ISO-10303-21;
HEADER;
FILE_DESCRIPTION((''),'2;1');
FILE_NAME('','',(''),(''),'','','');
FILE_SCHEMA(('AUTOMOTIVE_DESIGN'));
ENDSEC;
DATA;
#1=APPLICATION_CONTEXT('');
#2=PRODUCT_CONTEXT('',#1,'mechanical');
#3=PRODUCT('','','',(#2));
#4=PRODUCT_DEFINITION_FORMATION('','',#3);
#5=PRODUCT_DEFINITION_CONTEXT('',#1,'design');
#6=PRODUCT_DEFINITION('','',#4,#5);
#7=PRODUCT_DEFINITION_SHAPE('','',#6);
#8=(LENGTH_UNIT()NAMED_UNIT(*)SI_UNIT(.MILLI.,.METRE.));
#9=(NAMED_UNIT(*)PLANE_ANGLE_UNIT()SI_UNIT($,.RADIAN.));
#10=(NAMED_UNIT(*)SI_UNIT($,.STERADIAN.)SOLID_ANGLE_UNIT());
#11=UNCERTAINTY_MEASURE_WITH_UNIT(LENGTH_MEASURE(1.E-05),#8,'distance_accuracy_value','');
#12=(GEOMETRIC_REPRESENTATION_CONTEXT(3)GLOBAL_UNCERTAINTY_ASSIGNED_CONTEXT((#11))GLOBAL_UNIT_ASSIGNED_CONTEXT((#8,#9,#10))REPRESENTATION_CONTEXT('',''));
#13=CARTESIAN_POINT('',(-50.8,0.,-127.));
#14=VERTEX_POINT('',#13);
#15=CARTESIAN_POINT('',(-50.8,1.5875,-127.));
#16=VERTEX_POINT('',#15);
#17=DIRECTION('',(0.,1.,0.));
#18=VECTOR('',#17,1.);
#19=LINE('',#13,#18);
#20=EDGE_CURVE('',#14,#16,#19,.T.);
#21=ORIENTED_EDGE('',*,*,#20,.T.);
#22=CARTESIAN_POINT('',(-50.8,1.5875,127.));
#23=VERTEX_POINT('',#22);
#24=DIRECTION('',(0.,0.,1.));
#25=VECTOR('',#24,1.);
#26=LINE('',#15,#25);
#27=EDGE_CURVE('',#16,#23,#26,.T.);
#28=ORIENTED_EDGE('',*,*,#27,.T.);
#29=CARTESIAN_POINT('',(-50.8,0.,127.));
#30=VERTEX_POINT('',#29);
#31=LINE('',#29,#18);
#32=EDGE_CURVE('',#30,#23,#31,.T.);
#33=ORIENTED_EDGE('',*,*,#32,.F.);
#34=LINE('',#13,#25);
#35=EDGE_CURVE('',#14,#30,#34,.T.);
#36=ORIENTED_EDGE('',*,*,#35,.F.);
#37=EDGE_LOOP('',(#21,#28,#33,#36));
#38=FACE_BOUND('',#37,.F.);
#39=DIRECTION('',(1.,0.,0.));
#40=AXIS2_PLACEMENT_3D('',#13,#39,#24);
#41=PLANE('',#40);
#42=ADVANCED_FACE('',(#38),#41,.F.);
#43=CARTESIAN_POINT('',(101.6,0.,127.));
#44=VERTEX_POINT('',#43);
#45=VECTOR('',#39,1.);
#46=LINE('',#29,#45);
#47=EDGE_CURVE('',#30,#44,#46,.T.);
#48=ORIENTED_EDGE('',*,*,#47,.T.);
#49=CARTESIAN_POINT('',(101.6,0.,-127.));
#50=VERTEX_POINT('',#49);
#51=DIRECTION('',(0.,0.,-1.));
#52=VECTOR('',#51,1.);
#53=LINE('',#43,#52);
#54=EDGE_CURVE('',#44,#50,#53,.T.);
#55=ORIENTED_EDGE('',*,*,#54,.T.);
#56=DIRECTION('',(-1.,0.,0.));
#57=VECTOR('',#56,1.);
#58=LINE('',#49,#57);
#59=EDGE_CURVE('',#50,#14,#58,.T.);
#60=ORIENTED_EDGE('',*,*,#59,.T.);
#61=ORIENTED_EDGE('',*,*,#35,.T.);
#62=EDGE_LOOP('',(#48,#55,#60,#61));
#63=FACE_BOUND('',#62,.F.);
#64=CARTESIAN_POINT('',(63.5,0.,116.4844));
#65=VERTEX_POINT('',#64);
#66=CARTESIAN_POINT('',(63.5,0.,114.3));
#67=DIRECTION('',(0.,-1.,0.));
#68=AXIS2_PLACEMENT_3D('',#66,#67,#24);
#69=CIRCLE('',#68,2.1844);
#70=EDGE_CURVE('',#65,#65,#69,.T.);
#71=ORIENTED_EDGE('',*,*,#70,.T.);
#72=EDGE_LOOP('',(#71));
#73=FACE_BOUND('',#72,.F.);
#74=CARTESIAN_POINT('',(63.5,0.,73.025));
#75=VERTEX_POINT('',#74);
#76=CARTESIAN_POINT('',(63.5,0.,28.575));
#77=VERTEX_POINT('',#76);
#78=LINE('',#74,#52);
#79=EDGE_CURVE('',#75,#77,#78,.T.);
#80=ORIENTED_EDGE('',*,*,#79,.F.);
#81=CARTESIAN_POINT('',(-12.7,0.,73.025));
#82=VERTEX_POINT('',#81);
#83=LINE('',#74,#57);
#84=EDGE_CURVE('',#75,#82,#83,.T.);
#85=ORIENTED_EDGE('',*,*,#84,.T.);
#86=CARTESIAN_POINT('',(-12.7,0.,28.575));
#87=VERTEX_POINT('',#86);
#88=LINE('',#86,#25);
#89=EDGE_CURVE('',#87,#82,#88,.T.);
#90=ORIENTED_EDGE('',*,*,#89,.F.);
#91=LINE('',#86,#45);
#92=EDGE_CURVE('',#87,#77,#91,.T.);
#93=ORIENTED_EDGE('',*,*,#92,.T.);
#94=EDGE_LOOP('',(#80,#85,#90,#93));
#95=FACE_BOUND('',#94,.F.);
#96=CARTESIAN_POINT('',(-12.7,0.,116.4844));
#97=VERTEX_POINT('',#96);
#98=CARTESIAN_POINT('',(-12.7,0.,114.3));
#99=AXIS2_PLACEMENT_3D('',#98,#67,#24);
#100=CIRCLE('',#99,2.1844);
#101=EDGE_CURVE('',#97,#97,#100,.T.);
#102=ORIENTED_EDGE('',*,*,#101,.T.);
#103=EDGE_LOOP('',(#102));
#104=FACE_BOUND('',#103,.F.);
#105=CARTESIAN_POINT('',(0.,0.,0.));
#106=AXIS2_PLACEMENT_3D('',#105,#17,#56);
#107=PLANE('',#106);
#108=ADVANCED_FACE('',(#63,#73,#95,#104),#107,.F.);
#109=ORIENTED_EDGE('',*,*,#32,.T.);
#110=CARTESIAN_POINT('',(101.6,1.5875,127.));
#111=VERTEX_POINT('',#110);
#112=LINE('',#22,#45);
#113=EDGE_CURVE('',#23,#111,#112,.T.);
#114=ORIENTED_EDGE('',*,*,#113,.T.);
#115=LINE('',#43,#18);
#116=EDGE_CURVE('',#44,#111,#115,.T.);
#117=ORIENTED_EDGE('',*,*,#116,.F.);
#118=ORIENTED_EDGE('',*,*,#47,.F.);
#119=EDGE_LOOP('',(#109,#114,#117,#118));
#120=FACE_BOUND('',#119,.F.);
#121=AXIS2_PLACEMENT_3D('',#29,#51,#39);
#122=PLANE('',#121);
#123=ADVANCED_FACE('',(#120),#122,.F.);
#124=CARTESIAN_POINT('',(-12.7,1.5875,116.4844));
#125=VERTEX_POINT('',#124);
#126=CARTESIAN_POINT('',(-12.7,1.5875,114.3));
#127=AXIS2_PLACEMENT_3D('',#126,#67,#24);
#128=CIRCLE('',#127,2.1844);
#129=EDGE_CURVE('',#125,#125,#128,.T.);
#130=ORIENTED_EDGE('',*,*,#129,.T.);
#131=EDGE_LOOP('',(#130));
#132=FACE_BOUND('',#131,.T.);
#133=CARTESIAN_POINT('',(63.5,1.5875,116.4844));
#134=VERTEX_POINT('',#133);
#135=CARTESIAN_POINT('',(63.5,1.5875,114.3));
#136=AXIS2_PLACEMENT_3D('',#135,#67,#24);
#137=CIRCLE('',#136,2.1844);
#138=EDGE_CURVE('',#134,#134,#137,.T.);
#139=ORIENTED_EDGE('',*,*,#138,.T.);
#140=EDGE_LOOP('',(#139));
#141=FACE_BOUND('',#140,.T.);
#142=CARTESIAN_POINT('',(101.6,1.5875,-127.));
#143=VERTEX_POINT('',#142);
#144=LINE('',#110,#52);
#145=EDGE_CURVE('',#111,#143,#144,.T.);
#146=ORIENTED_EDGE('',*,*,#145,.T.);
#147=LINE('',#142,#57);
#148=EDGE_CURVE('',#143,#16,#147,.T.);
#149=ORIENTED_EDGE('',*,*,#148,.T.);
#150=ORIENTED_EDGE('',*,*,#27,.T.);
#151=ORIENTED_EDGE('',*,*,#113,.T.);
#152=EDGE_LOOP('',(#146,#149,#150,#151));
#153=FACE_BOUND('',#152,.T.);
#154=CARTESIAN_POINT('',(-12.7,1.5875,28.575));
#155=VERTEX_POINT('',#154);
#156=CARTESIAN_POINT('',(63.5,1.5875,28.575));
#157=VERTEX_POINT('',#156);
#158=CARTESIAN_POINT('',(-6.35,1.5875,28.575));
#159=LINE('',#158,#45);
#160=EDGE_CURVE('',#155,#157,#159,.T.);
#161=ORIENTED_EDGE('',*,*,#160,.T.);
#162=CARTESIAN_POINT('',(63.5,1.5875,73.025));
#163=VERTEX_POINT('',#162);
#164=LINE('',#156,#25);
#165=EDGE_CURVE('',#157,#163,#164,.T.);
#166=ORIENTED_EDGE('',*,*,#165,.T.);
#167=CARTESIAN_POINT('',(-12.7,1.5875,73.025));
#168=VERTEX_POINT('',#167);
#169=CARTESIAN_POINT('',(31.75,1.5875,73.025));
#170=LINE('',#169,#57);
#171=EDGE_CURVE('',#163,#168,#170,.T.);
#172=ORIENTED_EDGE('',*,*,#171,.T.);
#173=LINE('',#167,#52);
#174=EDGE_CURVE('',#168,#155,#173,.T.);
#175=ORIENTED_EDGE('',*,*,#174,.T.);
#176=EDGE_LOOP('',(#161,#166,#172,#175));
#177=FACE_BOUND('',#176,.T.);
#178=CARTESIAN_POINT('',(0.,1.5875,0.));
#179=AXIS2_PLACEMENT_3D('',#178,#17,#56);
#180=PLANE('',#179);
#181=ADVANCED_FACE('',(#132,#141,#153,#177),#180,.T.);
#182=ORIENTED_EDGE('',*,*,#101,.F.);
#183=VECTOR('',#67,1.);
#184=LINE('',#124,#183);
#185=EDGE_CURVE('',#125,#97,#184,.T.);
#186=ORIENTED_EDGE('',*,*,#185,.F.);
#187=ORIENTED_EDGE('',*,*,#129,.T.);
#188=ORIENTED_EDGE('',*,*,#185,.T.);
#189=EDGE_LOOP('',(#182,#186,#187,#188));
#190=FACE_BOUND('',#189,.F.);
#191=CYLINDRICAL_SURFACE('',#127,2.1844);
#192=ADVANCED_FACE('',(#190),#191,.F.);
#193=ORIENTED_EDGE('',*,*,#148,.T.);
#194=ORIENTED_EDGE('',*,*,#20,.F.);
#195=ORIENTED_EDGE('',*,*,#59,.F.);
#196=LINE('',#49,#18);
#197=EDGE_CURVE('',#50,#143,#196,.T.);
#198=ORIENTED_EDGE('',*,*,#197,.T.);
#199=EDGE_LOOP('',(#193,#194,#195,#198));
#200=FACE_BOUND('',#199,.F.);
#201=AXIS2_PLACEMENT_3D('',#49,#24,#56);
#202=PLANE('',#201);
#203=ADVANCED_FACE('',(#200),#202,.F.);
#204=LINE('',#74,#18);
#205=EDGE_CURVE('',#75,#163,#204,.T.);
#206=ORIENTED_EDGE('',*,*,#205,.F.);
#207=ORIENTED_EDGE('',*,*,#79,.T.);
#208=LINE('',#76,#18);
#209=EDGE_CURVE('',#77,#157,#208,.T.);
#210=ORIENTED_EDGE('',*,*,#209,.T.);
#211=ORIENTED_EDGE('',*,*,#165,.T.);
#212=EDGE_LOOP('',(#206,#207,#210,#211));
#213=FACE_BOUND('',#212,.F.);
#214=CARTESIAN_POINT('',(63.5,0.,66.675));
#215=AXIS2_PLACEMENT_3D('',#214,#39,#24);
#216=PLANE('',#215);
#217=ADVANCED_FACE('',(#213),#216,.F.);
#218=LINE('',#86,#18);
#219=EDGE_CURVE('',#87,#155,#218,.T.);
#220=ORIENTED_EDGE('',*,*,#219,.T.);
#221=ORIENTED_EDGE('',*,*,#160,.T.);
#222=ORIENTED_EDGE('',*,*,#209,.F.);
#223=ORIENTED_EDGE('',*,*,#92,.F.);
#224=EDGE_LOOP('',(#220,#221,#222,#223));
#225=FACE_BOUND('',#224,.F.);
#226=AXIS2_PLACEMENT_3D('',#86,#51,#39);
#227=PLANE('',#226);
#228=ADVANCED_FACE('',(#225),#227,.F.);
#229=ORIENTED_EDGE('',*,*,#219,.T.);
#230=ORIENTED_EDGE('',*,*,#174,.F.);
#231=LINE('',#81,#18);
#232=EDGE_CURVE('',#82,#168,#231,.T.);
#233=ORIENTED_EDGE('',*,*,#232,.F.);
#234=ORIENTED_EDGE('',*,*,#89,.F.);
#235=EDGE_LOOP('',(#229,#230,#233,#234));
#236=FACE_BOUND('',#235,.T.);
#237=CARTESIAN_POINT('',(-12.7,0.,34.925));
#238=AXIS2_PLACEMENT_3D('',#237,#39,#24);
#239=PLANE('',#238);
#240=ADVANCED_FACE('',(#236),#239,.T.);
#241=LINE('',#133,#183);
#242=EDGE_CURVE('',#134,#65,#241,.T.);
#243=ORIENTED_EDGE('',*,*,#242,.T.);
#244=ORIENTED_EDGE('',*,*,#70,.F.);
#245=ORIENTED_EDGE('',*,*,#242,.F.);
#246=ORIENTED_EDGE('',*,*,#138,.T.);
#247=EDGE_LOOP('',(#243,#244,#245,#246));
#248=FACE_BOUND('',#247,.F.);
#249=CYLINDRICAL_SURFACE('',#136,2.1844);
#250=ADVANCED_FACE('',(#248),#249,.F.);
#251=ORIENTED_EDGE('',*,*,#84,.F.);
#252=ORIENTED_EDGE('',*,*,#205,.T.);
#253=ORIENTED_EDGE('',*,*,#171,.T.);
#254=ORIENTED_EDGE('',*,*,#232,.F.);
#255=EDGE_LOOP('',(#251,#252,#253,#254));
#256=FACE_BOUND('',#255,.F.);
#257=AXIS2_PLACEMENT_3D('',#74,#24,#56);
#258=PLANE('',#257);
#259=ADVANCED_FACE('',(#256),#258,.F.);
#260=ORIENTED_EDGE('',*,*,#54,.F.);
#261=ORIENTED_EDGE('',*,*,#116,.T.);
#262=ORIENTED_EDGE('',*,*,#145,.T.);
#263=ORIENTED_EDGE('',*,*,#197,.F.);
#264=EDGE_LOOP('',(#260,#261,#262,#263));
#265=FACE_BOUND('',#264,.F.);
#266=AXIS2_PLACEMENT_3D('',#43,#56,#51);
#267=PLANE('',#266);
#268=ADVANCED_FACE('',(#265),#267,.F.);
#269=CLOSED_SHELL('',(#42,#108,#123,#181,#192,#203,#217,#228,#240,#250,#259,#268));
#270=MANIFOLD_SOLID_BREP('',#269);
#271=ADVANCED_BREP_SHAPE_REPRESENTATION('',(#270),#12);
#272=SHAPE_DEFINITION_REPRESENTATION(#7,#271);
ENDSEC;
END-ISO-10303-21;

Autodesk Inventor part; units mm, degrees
ref_plane "YZ Plane" through (0, 0, 0) normal (1, 0, 0) x (0, 1, 0)
ref_plane "XZ Plane" through (0, 0, 0) normal (0, 1, 0) x (-1, 0, 0)
ref_plane "XY Plane" through (0, 0, 0) normal (0, 0, 1) x (1, 0, 0)
sketch "Sketch1" plane through (0, 0, 0) normal (0, 1, 0) x (-1, 0, 0)
  line L0 (-101.6, -127) -> (50.8, -127)
  line L1 (50.8, -127) -> (50.8, 127)
  line L2 (50.8, 127) -> (-101.6, 127)
  line L3 (-101.6, 127) -> (-101.6, -127)
  point P0 (0, 0)
  dimension "d0" = 152.4
  dimension "d1" = 254
extrude "Extrusion2" add sketch "Sketch1" along normal blind 1.5875
sketch "Sketch3" plane through (0, 1.5875, 0) normal (0, 1, 0) x (1, 0, 0)
  circle A0 centre (63.5, -114.3) radius 2.1844
  circle A1 centre (-12.7, -114.3) radius 2.1844
  point P0 (0, 0)
  dimension "d13" = 4.3688
  dimension "d14" = 4.3688
hole "Hole1" at (63.5, 1.5875, 114.3) at (-12.7, 1.5875, 114.3) direction (0, -1, 0) diameter 4.3688 end through all
sketch "Sketch4" plane through (0, 0, 0) normal (0, -1, 0) x (1, 0, 0)
  line L0 (101.6, 127) -> (101.6, -127) projected
  line L1 (-50.8, -127) -> (-50.8, 127) projected
  line L2 (101.6, 50.8) -> (254, 50.8) construction
  line L3 (-12.7, 34.925) -> (-12.7, 66.675)
  line L4 (63.5, 66.675) -> (63.5, 34.925)
  line L5 (-12.7, 66.675) -> (-12.7, 69.85)
  line L6 (63.5, 73.025) -> (-12.7, 73.025)
  line L7 (-12.7, 73.025) -> (-12.7, 28.575)
  line L8 (-12.7, 28.575) -> (63.5, 28.575)
  line L9 (63.5, 28.575) -> (63.5, 73.025)
  point P0 (0, 0)
  point P1 (-12.7, 31.75)
  point P2 (63.5, 69.85)
  dimension "d24" = 76.2
  dimension "d25" = 38.1
extrude "Extrusion5" cut sketch "Sketch4" against normal up to next
properties part number "2polycarb10x6" material "Polycarbonate, Clear"
